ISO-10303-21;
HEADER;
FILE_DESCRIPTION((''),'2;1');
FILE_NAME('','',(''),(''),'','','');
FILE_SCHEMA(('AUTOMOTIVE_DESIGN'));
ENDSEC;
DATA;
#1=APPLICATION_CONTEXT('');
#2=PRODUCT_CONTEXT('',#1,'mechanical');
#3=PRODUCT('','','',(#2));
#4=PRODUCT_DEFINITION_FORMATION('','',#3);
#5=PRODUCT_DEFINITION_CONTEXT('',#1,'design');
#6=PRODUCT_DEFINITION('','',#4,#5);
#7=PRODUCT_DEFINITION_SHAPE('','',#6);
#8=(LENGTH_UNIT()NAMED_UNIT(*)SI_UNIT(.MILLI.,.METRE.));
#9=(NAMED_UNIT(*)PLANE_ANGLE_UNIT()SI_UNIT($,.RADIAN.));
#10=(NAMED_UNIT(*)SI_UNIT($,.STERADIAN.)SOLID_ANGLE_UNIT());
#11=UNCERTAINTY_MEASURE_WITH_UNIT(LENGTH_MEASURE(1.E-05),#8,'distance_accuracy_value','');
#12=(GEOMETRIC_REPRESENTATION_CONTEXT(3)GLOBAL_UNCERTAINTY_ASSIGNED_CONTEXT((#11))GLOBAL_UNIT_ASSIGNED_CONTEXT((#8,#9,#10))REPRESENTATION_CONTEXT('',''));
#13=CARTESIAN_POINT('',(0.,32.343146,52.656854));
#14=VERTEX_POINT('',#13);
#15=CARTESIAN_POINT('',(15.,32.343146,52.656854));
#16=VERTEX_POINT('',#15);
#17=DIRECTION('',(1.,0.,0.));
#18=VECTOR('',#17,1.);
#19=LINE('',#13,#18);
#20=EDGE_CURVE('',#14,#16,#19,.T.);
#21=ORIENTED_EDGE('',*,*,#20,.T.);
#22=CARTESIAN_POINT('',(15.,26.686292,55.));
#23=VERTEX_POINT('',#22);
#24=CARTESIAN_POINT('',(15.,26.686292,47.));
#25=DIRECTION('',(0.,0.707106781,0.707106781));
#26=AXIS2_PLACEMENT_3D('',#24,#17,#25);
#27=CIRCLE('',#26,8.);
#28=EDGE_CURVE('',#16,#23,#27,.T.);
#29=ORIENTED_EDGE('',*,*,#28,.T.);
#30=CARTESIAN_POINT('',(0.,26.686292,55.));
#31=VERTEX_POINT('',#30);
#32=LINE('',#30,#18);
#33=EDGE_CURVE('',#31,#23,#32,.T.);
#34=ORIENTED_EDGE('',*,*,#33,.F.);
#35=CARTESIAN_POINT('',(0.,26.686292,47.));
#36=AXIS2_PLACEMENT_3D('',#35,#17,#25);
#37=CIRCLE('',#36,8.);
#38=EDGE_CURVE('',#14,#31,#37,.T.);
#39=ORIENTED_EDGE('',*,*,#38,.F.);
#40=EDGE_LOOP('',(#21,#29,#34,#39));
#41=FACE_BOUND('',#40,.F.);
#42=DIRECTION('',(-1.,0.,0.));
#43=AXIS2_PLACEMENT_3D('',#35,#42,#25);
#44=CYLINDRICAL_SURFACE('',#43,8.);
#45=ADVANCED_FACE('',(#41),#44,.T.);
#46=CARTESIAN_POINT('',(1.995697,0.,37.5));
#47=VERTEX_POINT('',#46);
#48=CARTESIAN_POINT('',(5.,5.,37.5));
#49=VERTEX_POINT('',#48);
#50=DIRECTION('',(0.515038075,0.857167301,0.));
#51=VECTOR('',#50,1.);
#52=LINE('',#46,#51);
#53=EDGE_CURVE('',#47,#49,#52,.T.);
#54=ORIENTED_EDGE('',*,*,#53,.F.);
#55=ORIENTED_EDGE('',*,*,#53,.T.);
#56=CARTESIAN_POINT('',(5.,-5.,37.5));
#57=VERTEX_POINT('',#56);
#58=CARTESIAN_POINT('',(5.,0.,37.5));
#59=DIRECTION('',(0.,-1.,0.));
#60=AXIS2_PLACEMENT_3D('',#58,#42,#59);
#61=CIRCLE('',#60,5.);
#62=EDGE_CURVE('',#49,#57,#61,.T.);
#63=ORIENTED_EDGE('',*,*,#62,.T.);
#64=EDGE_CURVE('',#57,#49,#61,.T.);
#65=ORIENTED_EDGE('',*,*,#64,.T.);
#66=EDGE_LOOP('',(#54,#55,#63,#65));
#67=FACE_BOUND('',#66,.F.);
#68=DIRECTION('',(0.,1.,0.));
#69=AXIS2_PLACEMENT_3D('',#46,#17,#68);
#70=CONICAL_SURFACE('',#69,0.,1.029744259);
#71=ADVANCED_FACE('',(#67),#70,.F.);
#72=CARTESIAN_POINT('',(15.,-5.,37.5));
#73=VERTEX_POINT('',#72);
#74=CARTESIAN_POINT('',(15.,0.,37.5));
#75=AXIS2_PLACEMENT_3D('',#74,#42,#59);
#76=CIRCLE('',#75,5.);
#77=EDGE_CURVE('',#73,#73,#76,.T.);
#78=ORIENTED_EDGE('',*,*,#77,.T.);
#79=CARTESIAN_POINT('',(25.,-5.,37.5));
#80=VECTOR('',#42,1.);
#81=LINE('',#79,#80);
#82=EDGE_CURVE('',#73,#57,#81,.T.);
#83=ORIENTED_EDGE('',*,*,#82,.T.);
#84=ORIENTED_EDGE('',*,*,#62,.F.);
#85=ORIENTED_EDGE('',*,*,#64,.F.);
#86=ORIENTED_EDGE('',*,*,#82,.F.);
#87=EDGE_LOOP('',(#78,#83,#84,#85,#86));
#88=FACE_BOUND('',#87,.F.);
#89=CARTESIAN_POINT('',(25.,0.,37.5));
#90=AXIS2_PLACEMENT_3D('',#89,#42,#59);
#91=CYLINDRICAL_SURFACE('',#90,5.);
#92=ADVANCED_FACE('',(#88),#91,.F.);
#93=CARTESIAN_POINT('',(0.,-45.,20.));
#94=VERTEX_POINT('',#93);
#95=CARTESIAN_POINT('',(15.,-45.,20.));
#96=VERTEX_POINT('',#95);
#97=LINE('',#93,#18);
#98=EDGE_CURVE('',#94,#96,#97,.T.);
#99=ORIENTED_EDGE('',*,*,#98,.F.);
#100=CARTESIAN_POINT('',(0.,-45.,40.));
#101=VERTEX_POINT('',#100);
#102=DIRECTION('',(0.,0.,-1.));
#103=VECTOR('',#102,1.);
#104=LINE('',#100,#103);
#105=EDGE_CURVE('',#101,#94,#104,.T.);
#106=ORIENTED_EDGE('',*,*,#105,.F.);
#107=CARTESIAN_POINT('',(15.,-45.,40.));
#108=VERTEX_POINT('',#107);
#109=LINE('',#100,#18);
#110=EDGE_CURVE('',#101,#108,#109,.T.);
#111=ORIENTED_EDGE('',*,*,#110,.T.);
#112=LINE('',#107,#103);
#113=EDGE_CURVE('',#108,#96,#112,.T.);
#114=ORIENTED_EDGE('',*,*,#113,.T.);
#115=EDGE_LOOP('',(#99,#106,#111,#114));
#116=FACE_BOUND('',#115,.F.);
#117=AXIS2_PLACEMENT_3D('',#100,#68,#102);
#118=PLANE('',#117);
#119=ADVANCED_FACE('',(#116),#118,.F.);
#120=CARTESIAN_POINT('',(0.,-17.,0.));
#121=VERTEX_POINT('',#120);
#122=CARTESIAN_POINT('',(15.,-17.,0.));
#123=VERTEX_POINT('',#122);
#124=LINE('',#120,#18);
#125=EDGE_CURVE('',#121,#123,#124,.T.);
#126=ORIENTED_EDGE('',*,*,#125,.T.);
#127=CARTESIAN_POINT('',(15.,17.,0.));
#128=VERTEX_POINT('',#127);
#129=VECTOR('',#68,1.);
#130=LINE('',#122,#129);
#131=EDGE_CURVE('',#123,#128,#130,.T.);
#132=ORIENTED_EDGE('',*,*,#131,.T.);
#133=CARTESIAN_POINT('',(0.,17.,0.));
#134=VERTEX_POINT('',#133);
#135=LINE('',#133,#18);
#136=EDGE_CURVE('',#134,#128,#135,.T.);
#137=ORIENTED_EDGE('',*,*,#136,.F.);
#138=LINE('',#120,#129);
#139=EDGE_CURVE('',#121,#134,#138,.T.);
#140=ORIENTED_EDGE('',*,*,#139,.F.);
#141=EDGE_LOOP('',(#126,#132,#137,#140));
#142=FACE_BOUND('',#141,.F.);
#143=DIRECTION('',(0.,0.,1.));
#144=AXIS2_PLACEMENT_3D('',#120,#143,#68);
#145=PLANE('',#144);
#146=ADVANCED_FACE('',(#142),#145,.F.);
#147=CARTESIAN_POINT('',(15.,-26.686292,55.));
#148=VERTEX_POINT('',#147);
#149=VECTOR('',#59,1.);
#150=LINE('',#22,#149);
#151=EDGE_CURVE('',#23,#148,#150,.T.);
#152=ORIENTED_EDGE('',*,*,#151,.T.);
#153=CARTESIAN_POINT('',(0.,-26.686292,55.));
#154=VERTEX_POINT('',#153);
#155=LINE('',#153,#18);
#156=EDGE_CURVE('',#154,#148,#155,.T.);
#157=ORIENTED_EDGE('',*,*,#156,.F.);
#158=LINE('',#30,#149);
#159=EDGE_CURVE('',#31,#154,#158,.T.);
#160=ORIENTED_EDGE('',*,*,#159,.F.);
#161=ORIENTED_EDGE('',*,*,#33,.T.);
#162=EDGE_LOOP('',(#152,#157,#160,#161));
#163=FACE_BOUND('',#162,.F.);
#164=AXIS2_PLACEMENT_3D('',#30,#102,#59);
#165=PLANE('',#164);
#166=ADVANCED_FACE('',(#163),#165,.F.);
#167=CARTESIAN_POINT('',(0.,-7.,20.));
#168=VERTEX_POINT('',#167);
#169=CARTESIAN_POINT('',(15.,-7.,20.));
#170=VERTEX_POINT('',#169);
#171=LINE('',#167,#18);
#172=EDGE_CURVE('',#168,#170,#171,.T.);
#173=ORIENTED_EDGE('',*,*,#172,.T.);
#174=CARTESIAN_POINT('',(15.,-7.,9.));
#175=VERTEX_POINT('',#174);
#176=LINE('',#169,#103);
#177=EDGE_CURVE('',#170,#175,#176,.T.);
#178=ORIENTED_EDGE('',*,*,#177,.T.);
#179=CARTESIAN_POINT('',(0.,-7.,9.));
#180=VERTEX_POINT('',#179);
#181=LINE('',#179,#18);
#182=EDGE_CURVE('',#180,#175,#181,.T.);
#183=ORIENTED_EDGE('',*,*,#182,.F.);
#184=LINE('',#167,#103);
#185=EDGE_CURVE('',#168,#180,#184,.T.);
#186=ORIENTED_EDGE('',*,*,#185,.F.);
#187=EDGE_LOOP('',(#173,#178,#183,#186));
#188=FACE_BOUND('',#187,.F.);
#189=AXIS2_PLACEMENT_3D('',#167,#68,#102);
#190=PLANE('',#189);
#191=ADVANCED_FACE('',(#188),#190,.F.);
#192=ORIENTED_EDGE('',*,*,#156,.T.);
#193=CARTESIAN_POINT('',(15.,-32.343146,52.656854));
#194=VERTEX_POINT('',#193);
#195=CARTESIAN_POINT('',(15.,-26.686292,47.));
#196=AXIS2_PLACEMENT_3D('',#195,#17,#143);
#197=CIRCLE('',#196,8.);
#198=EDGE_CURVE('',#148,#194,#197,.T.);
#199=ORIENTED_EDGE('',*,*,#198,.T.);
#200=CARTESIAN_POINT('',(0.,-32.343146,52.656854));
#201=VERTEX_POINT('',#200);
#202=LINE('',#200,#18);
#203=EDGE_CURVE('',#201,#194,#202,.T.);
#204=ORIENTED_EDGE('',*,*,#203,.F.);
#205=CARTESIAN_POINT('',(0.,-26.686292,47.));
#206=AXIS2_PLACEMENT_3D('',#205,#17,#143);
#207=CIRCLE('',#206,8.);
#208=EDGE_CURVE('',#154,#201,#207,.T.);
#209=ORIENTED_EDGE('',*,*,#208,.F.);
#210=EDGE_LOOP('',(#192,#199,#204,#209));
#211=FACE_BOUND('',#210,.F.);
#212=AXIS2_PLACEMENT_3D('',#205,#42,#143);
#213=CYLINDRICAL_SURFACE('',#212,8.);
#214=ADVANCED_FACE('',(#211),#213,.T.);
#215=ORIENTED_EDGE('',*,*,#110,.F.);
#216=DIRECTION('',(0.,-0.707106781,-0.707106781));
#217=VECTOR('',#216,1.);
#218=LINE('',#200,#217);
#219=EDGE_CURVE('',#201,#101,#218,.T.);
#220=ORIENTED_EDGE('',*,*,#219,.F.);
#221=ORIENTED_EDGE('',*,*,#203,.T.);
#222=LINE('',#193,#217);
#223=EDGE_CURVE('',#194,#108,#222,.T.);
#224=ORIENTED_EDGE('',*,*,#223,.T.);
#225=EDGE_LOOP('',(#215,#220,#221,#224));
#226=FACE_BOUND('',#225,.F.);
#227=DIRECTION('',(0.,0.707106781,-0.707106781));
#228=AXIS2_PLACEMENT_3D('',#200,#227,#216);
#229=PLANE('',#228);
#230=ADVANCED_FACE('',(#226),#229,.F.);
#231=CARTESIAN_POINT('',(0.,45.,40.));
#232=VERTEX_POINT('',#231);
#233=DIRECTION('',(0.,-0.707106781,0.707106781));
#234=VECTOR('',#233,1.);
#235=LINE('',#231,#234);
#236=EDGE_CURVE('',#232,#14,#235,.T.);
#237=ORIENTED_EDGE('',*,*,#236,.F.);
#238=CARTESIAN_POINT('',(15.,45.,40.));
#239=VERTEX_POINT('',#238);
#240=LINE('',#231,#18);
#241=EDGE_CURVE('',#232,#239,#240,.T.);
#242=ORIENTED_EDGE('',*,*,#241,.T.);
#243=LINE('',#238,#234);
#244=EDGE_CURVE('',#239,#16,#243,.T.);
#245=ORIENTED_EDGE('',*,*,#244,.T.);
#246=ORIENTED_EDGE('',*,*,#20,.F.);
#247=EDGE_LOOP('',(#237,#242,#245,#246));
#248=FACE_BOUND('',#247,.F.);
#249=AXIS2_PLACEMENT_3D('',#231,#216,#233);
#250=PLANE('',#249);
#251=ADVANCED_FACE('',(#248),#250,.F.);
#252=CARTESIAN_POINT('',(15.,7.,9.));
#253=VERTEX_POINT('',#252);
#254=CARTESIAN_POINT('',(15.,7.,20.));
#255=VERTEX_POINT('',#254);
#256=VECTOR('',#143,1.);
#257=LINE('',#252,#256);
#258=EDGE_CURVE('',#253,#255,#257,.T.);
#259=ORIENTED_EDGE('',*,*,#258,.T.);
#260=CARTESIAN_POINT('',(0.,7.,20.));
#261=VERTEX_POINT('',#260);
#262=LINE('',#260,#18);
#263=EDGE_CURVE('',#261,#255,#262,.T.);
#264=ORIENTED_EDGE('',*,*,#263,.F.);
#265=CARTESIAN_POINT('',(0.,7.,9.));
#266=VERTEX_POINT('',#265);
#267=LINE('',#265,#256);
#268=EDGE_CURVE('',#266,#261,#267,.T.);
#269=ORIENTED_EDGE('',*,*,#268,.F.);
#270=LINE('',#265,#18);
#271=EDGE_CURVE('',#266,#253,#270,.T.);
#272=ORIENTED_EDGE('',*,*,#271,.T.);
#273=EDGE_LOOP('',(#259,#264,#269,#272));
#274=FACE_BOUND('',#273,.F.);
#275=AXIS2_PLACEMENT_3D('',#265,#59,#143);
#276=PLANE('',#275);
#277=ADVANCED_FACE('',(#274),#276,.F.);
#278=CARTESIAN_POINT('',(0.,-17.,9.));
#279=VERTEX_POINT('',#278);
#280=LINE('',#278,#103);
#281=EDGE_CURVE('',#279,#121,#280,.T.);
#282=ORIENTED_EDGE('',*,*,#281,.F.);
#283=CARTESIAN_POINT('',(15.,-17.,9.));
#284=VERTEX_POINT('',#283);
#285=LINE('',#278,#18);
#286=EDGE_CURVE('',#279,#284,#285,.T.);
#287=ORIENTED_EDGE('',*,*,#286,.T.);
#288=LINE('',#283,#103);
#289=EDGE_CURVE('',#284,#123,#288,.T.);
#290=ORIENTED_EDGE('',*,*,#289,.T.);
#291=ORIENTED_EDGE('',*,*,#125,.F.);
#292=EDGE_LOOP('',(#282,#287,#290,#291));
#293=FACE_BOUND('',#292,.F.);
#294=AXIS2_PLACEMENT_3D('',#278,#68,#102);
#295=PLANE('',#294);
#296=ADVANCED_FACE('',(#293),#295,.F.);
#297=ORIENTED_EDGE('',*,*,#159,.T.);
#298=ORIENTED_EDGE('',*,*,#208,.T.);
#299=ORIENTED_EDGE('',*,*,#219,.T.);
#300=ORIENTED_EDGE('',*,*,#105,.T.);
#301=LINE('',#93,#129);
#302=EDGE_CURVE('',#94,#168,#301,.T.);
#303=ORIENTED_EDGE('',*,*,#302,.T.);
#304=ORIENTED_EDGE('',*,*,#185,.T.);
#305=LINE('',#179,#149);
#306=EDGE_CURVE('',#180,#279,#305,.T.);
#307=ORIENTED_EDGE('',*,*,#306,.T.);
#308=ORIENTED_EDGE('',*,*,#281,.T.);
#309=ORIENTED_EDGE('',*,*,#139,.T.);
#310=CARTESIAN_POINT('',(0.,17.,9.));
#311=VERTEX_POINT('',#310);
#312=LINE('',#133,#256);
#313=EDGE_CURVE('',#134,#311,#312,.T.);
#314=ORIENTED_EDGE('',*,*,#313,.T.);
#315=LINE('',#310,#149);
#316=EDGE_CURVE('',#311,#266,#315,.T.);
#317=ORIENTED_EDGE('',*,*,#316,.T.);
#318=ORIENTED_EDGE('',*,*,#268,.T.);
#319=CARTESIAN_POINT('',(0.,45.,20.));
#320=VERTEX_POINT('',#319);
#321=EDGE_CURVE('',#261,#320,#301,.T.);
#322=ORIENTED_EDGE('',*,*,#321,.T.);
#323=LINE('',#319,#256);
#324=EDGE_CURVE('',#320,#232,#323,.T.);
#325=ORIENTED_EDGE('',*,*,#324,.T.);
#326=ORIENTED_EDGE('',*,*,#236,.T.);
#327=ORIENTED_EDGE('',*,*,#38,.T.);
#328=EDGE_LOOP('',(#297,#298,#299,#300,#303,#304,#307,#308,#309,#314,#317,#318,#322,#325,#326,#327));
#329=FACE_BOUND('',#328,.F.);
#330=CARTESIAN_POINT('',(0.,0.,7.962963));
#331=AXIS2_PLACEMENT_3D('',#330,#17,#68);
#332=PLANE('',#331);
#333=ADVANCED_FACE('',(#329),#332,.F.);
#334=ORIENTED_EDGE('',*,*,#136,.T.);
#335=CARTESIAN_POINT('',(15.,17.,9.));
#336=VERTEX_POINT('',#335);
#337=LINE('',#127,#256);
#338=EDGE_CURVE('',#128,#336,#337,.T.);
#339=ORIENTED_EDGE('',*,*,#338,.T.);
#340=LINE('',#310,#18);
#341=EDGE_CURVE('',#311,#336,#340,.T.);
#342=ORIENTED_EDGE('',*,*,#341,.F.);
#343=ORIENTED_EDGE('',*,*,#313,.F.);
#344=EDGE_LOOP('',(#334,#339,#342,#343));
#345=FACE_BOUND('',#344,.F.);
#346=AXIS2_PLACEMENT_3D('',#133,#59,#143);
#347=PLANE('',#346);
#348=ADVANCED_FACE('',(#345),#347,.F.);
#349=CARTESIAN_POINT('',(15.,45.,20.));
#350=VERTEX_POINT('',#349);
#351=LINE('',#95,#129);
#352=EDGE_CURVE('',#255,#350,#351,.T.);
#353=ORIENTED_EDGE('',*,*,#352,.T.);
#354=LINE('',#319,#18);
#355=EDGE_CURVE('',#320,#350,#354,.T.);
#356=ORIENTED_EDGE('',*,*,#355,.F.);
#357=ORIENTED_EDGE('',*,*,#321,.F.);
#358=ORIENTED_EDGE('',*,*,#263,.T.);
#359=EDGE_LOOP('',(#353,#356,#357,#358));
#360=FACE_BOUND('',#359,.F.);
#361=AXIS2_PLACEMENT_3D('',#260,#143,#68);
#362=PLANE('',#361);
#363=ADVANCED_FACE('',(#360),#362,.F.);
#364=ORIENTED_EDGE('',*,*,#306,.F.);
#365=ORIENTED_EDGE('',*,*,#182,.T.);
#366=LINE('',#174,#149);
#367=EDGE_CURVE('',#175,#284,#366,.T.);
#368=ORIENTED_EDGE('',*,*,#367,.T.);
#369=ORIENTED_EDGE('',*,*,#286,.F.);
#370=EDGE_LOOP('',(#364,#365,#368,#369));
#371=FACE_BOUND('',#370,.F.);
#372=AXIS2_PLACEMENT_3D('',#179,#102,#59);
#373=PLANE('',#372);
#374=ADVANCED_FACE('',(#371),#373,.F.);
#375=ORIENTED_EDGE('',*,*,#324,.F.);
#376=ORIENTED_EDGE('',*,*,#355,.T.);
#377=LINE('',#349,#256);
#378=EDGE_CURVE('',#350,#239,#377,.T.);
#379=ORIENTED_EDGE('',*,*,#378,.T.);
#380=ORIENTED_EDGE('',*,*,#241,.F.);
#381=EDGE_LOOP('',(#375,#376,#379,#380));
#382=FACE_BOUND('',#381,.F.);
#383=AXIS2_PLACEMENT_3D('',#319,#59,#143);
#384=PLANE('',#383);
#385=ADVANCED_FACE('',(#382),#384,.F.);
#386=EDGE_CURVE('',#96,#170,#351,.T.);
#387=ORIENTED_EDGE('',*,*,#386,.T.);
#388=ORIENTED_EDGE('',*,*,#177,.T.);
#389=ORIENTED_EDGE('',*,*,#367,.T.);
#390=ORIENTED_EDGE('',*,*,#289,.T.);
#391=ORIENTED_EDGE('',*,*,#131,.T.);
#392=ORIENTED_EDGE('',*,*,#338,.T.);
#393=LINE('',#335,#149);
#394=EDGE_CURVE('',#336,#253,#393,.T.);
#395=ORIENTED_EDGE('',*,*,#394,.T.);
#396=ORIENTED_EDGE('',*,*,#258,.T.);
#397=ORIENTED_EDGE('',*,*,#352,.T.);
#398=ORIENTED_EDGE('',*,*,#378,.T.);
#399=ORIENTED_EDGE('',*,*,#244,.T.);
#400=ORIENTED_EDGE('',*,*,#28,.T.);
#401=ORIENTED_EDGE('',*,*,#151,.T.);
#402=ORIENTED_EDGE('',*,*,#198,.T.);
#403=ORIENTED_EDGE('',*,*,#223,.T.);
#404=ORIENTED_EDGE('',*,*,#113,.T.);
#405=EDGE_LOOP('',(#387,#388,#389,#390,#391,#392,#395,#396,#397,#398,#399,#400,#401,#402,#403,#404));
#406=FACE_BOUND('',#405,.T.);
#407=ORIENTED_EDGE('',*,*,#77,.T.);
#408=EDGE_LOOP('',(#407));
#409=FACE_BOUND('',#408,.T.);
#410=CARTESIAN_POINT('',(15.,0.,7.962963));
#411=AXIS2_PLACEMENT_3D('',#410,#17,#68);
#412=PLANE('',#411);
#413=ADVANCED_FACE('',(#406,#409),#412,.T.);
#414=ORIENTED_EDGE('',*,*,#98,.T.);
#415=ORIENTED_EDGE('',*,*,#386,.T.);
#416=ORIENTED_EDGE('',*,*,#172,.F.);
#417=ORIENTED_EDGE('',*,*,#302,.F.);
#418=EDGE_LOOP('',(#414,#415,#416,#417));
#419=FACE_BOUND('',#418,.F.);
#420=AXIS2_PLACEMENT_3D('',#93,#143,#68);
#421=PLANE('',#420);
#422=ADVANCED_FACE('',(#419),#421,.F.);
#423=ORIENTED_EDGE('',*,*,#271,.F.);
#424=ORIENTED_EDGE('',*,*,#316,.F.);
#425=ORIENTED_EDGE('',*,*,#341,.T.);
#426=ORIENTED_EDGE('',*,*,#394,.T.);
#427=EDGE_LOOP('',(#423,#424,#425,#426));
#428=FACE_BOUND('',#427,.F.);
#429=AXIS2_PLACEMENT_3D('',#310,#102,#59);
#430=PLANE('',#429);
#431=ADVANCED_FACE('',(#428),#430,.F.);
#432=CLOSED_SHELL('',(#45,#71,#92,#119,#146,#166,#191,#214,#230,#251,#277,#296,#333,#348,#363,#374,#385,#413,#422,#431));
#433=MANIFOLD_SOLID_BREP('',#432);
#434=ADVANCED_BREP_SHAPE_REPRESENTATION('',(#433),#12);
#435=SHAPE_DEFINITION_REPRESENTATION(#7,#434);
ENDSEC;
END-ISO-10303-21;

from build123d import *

# Parameters (mm, degrees)
F1_DEPTH = 15
F3_D     = 10
F3_DEPTH = 10
F3_TIP   = 3.0043030951


with BuildPart() as f1:
    # F0 (on Right) → F1 (new body)
    with BuildSketch(Plane.YZ):
        Polygon((-7, 9), (-17, 9), (-17, 0), (17, 0), (17, 9), (7, 9), (7, 20), (-7, 20), align=None)
        with BuildLine():
            Line((-45, 20), (-7, 20))
            Line((-7, 20), (7, 20))
            Line((7, 20), (45, 20))
            Line((45, 20), (45, 40))
            Line((45, 40), (32.3431457505, 52.6568542495))
            ThreePointArc((32.3431457505, 52.6568542495), (29.7477589599, 54.3910362601), (26.686291501, 55))
            Line((26.686291501, 55), (-26.686291501, 55))
            ThreePointArc((-26.686291501, 55), (-29.7477589599, 54.3910362601), (-32.3431457505, 52.6568542495))
            Line((-32.3431457505, 52.6568542495), (-45, 40))
            Line((-45, 40), (-45, 20))
        make_face()
    extrude(amount=F1_DEPTH)

    # F3
    with Locations(Plane.YZ.offset(15)):
        with Locations((0, 37.5)):
            Hole(F3_D / 2, depth=F3_DEPTH)
            with Locations((0, 0, -(F3_DEPTH + F3_TIP / 2))):  # 118° drill point
                Cone(0, F3_D / 2, F3_TIP, mode=Mode.SUBTRACT)


solid = f1.part
